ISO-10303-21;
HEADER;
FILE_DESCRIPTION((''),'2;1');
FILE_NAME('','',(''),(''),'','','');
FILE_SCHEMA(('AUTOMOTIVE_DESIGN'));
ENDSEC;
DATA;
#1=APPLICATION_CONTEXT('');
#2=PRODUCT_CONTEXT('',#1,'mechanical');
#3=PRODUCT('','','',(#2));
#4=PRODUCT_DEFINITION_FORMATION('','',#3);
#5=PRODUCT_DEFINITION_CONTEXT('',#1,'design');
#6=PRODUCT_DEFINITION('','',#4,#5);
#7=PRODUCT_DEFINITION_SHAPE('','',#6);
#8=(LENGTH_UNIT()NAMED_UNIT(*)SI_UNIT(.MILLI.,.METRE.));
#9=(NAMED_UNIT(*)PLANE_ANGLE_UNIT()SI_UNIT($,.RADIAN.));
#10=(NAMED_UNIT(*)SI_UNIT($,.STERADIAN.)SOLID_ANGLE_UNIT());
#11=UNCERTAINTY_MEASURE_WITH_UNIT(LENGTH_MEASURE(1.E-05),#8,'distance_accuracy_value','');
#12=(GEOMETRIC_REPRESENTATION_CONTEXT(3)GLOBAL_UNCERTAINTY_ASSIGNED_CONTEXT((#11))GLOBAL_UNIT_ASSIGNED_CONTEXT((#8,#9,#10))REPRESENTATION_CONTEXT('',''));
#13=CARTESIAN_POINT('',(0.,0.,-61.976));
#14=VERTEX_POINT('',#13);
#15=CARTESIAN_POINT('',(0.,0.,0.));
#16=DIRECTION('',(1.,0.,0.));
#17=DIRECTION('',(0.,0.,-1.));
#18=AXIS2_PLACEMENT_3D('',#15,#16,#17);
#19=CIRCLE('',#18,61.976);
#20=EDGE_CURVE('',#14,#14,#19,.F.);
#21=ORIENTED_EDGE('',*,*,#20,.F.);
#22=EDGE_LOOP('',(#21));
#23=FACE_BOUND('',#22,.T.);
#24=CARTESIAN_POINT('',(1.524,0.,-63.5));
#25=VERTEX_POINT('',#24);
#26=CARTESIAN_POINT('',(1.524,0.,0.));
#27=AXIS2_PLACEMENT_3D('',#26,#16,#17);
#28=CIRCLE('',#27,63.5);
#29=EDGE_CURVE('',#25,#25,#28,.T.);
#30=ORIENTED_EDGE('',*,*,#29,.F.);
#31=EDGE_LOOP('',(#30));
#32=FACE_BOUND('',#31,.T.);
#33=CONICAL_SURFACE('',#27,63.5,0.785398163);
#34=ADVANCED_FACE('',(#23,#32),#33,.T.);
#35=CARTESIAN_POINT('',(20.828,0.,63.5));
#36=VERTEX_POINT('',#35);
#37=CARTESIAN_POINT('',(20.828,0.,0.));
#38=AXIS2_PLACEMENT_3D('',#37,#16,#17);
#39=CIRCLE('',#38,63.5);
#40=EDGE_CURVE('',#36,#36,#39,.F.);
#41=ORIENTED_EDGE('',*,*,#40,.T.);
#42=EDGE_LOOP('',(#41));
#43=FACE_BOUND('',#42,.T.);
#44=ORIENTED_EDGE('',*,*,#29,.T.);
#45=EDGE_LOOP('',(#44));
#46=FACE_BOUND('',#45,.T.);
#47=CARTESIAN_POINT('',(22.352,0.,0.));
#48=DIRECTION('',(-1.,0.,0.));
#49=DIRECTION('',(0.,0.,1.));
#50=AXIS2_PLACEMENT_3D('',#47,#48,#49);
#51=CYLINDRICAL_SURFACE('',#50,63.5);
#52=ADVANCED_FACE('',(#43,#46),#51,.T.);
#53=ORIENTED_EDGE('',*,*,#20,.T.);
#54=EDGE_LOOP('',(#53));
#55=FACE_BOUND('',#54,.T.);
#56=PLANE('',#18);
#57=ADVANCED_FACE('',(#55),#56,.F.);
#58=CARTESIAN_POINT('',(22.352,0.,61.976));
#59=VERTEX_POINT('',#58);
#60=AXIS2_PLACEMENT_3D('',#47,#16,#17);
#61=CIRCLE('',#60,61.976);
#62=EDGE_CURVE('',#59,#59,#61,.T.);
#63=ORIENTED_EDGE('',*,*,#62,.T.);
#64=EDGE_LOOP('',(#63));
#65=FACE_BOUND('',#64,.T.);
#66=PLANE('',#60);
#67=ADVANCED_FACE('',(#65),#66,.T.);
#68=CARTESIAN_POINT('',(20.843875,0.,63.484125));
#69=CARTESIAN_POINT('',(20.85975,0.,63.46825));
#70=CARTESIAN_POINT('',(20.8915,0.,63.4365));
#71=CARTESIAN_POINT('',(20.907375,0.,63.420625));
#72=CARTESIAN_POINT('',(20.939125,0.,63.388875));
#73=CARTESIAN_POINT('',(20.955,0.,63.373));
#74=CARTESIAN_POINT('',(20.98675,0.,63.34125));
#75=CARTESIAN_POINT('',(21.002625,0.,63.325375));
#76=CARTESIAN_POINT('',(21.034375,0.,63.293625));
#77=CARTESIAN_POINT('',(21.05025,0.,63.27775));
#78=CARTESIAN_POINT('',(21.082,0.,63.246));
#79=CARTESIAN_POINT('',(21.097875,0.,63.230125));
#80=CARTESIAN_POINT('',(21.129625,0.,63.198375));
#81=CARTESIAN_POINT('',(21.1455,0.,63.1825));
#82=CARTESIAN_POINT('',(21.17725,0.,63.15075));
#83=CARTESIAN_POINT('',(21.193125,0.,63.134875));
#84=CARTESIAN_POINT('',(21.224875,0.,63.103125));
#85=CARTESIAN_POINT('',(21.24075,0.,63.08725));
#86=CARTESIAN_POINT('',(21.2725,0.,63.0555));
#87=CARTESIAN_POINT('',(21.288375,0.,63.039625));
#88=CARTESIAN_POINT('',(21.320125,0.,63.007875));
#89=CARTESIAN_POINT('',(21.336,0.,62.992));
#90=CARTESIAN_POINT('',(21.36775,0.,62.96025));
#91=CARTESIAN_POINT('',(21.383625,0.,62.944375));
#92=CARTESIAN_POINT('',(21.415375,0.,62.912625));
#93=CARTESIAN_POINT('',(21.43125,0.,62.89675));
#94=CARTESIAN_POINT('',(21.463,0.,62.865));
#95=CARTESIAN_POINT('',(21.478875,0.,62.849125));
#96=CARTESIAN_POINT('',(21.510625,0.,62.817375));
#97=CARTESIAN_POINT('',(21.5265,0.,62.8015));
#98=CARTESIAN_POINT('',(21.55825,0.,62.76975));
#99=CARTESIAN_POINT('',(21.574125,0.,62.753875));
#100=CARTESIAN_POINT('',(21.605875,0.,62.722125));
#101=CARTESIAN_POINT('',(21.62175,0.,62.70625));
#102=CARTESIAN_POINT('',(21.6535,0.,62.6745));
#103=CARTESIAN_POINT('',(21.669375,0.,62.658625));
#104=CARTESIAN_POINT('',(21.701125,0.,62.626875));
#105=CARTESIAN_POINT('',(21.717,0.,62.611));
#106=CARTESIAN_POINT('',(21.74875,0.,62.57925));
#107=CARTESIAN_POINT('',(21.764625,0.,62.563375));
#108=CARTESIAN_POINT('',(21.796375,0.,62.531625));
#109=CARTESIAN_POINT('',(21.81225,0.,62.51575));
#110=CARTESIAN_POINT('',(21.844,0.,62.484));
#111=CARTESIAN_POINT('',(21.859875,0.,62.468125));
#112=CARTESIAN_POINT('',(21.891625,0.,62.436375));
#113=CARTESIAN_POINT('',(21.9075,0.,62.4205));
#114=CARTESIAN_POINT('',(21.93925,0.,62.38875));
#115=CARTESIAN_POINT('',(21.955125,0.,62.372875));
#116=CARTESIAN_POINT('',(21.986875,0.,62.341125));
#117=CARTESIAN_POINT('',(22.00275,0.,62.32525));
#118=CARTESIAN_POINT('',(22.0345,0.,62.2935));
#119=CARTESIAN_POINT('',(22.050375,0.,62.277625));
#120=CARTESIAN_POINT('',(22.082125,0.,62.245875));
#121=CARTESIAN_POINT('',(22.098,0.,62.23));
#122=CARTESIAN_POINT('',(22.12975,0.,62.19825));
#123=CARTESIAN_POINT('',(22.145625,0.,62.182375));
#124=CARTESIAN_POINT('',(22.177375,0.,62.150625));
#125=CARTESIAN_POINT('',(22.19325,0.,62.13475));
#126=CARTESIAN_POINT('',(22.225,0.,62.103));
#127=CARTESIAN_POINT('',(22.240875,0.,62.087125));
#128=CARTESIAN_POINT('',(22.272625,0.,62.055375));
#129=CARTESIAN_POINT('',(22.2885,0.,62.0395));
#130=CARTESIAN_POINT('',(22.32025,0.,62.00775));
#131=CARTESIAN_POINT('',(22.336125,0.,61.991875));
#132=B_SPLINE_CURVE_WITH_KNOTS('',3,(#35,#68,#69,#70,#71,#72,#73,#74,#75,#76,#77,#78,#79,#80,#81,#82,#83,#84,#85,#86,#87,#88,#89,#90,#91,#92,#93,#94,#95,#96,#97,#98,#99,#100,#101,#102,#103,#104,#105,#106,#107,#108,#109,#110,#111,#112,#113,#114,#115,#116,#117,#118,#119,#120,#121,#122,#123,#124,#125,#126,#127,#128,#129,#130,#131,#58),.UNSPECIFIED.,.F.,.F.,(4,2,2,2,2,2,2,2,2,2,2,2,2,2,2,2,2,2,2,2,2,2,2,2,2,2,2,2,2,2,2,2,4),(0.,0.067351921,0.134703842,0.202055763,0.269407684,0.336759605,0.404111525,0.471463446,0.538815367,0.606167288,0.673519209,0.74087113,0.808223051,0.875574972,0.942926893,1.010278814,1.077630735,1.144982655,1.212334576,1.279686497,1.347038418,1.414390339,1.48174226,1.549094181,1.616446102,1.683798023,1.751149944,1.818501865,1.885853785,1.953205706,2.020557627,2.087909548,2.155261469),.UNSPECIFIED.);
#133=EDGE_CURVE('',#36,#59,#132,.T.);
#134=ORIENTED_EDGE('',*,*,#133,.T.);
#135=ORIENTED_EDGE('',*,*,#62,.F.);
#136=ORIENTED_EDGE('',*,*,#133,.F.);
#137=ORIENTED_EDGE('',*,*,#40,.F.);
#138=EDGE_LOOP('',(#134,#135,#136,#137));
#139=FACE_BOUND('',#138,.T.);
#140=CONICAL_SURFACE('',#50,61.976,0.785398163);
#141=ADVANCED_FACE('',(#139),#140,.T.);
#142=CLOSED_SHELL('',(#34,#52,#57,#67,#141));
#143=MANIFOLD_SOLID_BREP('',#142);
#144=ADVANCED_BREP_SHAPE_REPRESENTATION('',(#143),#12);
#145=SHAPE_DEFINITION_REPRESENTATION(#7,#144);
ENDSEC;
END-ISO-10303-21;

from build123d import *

# Parameters (mm, degrees)
SKETCH1_R           = 63.5
BOSS_EXTRUDE1_DEPTH = 22.352
CHAMFER1_SIZE       = 1.524


with BuildPart() as part:
    # Sketch1 → Boss-Extrude1 (new body)
    with BuildSketch(Plane.YZ):
        with Locations(Location((0, 0, 0), (0, 0, 270))):
            Circle(SKETCH1_R)
    extrude(amount=BOSS_EXTRUDE1_DEPTH)

    # Chamfer1
    chamfer1_edges = [part.edges().sort_by_distance(p)[0] for p in [
        (0, 0, 63.5),
        (22.352, 0, 63.5),
    ]]
    chamfer(chamfer1_edges, length=CHAMFER1_SIZE)


solid = part.part
